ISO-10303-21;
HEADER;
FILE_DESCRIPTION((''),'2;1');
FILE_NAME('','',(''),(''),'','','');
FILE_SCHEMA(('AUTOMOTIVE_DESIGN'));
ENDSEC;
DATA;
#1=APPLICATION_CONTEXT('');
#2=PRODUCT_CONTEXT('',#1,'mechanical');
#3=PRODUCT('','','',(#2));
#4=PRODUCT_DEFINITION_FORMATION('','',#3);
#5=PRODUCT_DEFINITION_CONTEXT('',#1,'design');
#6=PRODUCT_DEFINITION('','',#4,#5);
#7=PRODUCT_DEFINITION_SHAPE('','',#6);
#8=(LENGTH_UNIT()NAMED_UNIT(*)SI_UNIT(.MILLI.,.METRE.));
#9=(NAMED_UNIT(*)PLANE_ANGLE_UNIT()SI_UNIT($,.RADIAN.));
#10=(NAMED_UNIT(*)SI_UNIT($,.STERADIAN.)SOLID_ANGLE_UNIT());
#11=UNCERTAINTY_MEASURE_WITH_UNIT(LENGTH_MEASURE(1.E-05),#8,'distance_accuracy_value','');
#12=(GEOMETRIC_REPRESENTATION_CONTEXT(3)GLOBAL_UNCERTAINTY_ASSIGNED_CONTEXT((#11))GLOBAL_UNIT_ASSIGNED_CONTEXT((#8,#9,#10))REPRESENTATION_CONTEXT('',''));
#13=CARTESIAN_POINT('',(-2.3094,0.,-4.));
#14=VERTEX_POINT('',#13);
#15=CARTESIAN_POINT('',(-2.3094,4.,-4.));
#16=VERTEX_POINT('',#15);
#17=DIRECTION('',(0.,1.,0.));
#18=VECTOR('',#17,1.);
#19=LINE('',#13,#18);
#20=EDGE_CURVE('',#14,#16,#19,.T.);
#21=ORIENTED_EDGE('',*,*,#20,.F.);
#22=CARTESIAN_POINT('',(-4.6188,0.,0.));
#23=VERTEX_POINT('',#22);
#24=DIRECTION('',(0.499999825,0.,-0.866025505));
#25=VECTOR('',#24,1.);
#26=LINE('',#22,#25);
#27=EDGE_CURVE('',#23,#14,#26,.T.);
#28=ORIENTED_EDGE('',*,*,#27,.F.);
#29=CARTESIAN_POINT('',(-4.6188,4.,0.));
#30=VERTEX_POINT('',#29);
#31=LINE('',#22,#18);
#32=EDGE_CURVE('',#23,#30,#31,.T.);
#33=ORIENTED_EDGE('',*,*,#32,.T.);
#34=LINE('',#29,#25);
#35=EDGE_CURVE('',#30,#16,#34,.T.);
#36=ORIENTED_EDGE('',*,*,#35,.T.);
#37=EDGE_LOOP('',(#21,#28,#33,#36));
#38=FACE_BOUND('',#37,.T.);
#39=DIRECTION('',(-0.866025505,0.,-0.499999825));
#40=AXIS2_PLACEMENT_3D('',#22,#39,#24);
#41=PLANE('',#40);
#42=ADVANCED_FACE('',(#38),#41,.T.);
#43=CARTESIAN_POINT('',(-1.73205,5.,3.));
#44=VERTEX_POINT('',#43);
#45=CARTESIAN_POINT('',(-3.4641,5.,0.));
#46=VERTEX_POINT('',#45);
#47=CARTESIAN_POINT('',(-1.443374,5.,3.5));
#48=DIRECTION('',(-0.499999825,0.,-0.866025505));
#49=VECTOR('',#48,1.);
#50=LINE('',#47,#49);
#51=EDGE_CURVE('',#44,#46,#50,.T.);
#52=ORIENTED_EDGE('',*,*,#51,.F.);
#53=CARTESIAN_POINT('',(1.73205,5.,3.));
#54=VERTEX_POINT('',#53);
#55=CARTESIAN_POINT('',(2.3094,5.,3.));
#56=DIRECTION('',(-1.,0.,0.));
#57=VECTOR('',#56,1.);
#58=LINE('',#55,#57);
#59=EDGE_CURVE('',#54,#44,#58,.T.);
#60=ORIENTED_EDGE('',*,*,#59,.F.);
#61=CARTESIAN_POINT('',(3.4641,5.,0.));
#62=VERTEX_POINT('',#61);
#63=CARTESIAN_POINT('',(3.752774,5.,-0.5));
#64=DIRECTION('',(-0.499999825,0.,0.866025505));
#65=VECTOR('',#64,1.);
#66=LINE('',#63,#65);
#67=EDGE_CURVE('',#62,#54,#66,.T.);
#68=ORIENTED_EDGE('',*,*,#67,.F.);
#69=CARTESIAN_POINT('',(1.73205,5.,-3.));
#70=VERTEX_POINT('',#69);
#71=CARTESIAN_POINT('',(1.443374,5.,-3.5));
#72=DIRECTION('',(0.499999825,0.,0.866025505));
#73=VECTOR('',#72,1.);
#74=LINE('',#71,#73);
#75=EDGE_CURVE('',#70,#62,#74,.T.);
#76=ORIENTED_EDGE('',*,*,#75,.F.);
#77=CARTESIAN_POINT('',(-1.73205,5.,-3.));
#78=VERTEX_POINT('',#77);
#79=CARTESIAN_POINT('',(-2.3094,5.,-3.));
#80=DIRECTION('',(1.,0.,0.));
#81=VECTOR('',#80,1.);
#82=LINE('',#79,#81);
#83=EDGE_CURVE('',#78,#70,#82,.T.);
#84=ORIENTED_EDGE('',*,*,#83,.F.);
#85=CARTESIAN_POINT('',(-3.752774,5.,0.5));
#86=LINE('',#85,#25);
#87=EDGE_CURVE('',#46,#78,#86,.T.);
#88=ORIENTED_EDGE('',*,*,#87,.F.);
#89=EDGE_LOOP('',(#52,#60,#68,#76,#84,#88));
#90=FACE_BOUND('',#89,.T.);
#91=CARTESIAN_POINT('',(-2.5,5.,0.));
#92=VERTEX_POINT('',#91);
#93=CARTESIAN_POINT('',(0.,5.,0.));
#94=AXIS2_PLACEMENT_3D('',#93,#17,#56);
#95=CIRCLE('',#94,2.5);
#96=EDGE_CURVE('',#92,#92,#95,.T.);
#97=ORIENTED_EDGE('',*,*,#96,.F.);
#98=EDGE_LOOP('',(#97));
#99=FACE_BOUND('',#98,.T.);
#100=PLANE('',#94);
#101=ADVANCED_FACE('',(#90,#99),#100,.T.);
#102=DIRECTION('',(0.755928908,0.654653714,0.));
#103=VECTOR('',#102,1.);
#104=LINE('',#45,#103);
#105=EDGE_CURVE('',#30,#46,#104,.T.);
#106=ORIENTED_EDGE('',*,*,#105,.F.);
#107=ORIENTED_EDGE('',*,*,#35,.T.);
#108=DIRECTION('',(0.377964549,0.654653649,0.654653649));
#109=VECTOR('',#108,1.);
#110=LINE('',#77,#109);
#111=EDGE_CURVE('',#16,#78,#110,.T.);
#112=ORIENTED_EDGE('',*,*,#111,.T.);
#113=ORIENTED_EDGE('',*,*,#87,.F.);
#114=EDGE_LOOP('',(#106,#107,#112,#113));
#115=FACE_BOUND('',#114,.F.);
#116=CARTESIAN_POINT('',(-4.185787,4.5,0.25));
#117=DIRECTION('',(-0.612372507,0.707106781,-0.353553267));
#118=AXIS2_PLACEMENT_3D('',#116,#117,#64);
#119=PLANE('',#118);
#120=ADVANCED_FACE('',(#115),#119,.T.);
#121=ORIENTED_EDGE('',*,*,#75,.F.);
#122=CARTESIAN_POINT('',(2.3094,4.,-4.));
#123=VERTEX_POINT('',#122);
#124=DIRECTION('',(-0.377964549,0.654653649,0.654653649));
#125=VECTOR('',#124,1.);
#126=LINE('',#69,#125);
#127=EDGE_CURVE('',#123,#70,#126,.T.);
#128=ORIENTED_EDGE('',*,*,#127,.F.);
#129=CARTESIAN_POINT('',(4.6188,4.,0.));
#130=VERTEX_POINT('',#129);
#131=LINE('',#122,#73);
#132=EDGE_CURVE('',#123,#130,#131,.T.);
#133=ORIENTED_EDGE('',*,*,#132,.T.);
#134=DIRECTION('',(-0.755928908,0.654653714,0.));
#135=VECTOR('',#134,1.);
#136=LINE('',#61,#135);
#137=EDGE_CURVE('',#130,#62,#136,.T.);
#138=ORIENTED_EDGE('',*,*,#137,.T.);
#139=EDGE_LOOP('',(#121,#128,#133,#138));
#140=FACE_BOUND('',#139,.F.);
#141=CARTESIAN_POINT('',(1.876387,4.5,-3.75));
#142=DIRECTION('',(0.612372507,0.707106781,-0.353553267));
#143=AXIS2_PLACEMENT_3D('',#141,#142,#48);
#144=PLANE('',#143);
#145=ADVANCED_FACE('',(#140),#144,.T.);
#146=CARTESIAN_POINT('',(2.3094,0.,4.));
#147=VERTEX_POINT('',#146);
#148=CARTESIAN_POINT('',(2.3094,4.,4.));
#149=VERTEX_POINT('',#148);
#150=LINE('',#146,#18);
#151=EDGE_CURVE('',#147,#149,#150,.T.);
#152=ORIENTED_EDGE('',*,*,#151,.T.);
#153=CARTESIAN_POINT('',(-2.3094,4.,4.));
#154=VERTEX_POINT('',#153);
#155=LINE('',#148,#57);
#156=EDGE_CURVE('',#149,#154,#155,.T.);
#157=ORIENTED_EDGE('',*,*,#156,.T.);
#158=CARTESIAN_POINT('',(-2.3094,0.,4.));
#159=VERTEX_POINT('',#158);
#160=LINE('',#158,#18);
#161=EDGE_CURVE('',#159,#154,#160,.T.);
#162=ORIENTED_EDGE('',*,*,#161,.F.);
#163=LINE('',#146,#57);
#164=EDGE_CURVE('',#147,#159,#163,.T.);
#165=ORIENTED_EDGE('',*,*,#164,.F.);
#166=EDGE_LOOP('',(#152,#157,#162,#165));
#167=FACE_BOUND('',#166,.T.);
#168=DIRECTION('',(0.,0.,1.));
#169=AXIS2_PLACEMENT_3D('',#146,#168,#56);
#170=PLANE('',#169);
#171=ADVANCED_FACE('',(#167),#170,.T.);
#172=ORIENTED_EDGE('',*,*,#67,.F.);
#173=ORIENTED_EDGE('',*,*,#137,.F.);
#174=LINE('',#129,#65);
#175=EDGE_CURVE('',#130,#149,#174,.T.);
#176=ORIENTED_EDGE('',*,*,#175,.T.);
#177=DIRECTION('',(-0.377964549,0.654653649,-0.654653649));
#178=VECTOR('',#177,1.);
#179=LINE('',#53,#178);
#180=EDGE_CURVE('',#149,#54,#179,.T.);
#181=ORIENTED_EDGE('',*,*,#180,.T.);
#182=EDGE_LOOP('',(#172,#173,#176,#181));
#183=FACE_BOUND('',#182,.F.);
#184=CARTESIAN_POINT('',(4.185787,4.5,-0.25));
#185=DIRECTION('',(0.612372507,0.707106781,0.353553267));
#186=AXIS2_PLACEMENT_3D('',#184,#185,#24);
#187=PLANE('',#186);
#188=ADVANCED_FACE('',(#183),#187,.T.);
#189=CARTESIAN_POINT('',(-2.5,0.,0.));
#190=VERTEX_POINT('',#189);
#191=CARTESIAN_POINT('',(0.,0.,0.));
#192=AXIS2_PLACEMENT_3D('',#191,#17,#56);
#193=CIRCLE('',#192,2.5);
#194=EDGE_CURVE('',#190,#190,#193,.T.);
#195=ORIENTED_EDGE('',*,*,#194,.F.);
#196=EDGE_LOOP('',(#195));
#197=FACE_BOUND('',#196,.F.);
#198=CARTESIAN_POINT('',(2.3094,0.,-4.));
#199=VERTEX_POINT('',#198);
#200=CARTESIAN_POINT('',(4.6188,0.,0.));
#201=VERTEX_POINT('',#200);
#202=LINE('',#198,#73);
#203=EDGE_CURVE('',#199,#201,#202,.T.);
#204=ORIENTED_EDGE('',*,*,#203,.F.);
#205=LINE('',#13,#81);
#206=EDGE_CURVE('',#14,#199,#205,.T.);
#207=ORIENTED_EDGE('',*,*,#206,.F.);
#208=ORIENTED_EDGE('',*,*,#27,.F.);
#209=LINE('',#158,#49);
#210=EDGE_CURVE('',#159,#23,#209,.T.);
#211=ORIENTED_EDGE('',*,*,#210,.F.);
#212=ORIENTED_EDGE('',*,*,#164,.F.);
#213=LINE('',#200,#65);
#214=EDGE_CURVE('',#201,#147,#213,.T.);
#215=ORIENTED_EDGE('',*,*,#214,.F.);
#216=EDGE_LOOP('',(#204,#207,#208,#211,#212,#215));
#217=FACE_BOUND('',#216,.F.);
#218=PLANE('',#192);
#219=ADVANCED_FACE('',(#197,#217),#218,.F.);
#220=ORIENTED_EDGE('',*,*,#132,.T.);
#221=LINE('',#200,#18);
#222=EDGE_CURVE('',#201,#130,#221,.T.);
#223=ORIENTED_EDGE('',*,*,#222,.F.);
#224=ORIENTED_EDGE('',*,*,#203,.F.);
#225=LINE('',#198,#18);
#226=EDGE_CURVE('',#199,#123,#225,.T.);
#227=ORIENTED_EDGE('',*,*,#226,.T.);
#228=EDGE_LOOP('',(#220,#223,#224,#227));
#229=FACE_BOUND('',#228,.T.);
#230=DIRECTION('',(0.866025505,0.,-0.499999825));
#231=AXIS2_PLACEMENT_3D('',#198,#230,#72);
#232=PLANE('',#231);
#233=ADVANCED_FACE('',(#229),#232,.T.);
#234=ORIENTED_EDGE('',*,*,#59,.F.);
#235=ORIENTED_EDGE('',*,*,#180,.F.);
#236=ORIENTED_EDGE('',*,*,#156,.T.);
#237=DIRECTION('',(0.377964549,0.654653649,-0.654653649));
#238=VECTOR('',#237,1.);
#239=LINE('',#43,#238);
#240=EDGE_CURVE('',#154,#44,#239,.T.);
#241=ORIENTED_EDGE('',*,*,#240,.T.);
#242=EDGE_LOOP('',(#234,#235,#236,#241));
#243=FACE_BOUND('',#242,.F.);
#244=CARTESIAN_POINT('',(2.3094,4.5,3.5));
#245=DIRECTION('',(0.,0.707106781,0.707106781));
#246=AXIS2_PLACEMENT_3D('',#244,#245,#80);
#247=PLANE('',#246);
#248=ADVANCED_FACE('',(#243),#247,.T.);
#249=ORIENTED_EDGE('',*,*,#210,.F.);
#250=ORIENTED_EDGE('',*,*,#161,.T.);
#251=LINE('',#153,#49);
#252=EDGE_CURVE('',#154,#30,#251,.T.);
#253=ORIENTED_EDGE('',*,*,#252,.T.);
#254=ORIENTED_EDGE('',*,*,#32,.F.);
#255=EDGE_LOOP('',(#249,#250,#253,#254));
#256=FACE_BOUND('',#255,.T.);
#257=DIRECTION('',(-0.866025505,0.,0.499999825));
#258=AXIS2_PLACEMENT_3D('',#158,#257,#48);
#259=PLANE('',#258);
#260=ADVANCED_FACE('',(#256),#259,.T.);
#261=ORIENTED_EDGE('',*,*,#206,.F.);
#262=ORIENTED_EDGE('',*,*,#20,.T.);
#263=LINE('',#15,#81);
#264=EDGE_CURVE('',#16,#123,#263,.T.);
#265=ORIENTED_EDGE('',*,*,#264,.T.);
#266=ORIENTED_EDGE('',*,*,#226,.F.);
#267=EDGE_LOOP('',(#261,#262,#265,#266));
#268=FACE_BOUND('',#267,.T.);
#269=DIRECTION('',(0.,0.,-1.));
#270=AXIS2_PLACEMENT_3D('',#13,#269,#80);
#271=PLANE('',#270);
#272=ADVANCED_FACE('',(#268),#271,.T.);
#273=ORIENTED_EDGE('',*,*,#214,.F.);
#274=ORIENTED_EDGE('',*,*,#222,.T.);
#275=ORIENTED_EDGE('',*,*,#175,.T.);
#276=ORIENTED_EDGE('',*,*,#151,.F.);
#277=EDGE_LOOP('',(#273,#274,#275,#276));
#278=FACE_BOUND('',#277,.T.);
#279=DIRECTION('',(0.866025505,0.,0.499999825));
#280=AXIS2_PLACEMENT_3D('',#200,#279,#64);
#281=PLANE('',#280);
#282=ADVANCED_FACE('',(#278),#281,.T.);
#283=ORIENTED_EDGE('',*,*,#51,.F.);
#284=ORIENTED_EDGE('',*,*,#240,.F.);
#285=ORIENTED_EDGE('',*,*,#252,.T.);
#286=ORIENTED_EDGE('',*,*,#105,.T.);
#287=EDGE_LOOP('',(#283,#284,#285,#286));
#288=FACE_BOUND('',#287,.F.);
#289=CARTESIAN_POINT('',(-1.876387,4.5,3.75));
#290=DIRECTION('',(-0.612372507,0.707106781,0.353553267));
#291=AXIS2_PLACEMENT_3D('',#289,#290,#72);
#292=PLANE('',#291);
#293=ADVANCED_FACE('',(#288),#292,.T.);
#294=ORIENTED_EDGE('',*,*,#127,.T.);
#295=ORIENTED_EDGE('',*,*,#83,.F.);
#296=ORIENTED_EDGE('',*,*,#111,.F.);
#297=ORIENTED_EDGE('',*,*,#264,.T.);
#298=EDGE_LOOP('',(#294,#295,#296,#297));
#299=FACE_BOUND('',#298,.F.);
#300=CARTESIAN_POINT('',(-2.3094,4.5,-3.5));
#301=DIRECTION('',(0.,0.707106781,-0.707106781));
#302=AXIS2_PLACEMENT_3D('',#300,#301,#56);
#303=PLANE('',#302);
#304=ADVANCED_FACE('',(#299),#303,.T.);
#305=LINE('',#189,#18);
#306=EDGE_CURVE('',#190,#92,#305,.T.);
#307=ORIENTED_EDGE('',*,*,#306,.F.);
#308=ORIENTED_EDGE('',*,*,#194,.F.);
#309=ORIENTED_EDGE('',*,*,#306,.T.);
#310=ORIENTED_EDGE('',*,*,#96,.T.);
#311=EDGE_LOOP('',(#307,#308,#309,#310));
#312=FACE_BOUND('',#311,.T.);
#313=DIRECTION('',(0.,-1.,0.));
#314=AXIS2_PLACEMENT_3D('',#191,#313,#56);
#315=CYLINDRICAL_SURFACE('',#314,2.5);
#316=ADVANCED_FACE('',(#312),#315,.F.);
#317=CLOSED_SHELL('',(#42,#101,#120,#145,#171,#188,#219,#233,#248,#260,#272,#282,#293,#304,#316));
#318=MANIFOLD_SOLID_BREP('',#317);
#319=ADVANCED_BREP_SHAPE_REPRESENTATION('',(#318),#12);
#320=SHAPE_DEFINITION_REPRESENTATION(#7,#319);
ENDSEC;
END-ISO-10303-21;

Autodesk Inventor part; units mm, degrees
ref_plane "YZ Plane" through (0, 0, 0) normal (1, 0, 0) x (0, 1, 0)
ref_plane "XZ Plane" through (0, 0, 0) normal (0, 1, 0) x (-1, 0, 0)
ref_plane "XY Plane" through (0, 0, 0) normal (0, 0, 1) x (1, 0, 0)
sketch "Szkic1" plane through (0, 0, 0) normal (0, 1, 0) x (-1, 0, 0)
  line L0 (-2.3094, -4) -> (-4.6188, 0)
  line L1 (-4.6188, 0) -> (-2.3094, 4)
  line L2 (-2.3094, 4) -> (2.3094, 4)
  line L3 (2.3094, 4) -> (4.6188, 0)
  line L4 (4.6188, 0) -> (2.3094, -4)
  line L5 (2.3094, -4) -> (-2.3094, -4)
  circle A0 centre (0, 0) radius 2.5
  dimension "d0" = 8
  dimension "d1" = 5
extrude "Wyciągnięcie proste1" add sketch "Szkic1" along normal blind 5
thread "Gwint1" size "M6x1" class "6H" standard "ANSI Metric M Profile" length 5
chamfer "Faza1" distance 1 angle 45 6 edges at (-3.4641, 5, 2) (0, 5, 4) (3.4641, 5, 2) (3.4641, 5, -2) (0, 5, -4) (-3.4641, 5, -2)
properties part number "M5_nut_5mm" material "Aluminium 6061"
